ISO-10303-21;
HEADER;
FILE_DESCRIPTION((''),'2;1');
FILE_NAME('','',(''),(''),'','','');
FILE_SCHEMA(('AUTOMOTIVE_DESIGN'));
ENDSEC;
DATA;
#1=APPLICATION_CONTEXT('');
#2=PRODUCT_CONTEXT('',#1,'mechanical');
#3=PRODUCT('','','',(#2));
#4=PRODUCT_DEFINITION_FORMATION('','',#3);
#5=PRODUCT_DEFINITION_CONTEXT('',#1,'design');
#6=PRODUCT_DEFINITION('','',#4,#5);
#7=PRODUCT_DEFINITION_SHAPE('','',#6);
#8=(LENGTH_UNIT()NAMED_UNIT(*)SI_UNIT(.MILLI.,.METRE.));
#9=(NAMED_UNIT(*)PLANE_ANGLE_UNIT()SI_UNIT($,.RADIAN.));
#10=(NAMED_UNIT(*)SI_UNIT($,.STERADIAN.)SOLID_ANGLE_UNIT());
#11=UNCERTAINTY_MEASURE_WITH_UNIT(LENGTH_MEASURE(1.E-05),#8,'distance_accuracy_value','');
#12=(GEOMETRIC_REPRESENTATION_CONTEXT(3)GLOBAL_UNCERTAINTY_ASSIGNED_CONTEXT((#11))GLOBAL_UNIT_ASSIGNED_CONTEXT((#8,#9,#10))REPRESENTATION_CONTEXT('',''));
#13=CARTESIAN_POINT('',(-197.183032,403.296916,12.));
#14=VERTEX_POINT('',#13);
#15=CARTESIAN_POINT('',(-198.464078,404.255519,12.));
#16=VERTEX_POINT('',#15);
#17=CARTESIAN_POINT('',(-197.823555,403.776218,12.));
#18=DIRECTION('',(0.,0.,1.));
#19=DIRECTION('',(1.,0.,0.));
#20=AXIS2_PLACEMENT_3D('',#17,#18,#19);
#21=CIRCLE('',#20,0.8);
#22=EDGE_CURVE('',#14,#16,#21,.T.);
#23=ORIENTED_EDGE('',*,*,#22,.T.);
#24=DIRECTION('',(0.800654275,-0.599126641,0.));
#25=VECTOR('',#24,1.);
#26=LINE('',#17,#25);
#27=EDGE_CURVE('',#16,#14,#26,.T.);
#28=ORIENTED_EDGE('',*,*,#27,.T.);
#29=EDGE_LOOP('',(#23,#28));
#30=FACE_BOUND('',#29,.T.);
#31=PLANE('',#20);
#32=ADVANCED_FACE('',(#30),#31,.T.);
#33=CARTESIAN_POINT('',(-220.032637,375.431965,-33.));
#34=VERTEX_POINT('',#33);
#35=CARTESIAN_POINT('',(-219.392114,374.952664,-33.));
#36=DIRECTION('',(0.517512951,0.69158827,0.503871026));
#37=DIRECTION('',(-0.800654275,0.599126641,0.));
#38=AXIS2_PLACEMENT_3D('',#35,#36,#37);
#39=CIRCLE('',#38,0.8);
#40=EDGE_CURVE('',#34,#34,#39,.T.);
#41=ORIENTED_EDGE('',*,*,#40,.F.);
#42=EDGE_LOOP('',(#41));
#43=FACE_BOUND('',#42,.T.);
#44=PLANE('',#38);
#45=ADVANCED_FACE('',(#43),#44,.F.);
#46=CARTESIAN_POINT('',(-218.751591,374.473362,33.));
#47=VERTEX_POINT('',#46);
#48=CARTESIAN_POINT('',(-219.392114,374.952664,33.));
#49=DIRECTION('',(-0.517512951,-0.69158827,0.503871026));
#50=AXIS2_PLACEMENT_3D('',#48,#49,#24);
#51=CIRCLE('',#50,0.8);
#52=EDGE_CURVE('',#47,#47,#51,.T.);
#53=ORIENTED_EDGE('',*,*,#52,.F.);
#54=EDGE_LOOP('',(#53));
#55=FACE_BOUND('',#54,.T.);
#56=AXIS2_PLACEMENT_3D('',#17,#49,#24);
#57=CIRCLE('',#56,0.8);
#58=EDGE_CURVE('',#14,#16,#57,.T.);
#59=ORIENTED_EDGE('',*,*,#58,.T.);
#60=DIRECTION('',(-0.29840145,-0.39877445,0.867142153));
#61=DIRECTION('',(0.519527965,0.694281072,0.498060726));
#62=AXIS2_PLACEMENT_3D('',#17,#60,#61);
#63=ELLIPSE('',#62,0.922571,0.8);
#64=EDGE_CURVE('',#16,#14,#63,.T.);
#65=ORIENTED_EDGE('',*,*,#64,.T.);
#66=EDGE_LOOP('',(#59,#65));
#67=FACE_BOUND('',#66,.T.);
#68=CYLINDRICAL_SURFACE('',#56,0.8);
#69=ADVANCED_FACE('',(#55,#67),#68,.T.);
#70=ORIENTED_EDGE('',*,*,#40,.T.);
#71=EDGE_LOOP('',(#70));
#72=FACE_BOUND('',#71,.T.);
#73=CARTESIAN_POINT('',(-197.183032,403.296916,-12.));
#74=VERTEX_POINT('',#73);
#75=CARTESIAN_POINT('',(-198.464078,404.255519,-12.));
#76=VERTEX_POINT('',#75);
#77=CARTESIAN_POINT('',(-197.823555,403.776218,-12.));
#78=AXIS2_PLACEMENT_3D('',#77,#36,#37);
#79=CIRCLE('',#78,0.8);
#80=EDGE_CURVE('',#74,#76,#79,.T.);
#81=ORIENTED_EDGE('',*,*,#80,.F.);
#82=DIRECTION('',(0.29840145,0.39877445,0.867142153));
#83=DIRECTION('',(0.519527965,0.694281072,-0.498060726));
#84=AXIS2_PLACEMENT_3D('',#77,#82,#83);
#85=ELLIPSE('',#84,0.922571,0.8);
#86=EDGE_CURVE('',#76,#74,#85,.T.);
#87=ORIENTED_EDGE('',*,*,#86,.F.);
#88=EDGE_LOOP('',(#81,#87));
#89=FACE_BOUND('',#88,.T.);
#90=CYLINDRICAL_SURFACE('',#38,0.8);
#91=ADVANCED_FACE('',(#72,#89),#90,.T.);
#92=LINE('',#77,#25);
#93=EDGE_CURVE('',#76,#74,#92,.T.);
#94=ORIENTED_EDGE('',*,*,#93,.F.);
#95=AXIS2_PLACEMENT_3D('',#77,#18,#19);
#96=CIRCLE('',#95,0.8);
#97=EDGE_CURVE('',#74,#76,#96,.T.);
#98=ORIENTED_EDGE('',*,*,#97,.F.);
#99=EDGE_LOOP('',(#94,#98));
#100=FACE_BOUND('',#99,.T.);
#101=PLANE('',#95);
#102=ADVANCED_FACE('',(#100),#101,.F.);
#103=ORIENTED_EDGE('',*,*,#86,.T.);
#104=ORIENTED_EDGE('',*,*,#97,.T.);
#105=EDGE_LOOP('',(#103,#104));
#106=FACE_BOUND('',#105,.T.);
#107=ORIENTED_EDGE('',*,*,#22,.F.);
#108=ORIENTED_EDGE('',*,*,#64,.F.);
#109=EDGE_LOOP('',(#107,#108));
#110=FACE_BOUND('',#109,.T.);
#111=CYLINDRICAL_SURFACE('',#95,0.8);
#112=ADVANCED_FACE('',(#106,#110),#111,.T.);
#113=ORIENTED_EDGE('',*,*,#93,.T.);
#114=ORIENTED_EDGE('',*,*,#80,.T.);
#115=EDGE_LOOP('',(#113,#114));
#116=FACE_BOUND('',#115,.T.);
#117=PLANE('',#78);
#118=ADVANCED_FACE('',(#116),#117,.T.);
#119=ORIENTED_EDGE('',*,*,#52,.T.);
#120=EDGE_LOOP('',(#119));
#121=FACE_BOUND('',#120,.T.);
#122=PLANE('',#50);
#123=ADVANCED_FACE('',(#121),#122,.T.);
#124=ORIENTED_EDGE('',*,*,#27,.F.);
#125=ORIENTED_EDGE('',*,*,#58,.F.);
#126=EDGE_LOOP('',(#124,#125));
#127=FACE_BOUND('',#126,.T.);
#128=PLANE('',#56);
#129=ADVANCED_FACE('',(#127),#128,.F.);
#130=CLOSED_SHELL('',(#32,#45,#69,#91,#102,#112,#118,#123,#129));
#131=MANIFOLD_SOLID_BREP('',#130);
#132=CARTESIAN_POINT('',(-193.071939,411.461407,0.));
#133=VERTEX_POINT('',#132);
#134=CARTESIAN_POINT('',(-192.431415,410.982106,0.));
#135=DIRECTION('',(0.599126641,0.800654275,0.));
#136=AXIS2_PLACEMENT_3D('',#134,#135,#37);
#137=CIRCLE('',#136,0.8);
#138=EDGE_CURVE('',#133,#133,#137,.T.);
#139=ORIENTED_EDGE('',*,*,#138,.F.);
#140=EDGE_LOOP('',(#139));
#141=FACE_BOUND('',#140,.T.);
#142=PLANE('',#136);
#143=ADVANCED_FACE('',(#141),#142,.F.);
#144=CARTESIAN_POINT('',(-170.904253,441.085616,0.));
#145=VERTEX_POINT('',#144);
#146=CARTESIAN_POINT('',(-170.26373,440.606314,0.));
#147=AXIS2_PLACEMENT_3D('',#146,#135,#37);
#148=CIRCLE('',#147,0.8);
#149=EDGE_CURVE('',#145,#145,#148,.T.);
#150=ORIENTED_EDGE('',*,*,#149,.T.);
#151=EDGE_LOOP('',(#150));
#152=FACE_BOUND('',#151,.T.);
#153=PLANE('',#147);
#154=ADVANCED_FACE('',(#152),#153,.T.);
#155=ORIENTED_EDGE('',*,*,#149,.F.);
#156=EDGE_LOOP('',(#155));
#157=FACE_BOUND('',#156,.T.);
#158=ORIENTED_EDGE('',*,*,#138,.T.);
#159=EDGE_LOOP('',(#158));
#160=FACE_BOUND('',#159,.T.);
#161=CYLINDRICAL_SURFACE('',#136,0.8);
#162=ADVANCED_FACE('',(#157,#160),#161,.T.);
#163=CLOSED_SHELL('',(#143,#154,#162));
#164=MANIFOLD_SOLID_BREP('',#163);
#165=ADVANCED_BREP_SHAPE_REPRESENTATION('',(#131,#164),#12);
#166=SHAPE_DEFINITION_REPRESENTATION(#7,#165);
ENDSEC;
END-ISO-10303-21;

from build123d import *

# Parameters (mm, degrees)
CABLE_PUENTE_1_PROFILE_R = 0.8
CABLE_PUENTE_2_PROFILE_R = 0.8
CABLE_PUENTE_3_PROFILE_R = 0.8
CABLE_TIRO_PROFILE_R     = 0.8


with BuildPart() as part:
    # Cable_puente_1: sweep along a curve in space
    with BuildLine() as cable_puente_1_path:
        Line((-219.39211406, 374.952663744, -33), (-197.823554986, 403.776217645, -12))
    # Cable_puente_1 profile (on start of the path) → Cable_puente_1 (sweep)
    with BuildSketch(Plane(origin=(-219.39211406, 374.952663744, -33), x_dir=(0.8006542750173851, -0.5991266409502967, 0), z_dir=(0.5175129514190178, 0.691588269674149, 0.5038710255240859))):
        Circle(CABLE_PUENTE_1_PROFILE_R)
    sweep(path=cable_puente_1_path.line)

    # Cable_puente_2: sweep along a curve in space
    with BuildLine() as cable_puente_2_path:
        Line((-197.823554986, 403.776217645, -12), (-197.823554986, 403.776217645, 12))
    # Cable_puente_2 profile (on start of the path) → Cable_puente_2 (sweep)
    with BuildSketch(Plane(origin=(-197.823554986, 403.776217645, -12), x_dir=(1, 0, 0), z_dir=(0, 0, 1))):
        Circle(CABLE_PUENTE_2_PROFILE_R)
    sweep(path=cable_puente_2_path.line)

    # Cable_puente_3: sweep along a curve in space
    with BuildLine() as cable_puente_3_path:
        Line((-197.823554986, 403.776217645, 12), (-219.39211406, 374.952663744, 33))
    # Cable_puente_3 profile (on start of the path) → Cable_puente_3 (sweep)
    with BuildSketch(Plane(origin=(-197.823554986, 403.776217645, 12), x_dir=(-0.8006542750173851, 0.5991266409502967, 0), z_dir=(-0.5175129514190178, -0.691588269674149, 0.5038710255240859))):
        Circle(CABLE_PUENTE_3_PROFILE_R)
    sweep(path=cable_puente_3_path.line)


with BuildPart() as body_2:
    # Cable_tiro: sweep along a curve in space
    with BuildLine() as cable_tiro_path:
        Line((-192.431415217, 410.98210612, 0), (-170.263729502, 440.606314296, 0))
    # Cable_tiro profile (on start of the path) → Cable_tiro (sweep)
    with BuildSketch(Plane(origin=(-192.431415217, 410.98210612, 0), x_dir=(0.8006542750173848, -0.599126640950297, 0), z_dir=(0.599126640950297, 0.8006542750173848, 0))):
        Circle(CABLE_TIRO_PROFILE_R)
    sweep(path=cable_tiro_path.line)


solid = Compound([part.part, body_2.part])
